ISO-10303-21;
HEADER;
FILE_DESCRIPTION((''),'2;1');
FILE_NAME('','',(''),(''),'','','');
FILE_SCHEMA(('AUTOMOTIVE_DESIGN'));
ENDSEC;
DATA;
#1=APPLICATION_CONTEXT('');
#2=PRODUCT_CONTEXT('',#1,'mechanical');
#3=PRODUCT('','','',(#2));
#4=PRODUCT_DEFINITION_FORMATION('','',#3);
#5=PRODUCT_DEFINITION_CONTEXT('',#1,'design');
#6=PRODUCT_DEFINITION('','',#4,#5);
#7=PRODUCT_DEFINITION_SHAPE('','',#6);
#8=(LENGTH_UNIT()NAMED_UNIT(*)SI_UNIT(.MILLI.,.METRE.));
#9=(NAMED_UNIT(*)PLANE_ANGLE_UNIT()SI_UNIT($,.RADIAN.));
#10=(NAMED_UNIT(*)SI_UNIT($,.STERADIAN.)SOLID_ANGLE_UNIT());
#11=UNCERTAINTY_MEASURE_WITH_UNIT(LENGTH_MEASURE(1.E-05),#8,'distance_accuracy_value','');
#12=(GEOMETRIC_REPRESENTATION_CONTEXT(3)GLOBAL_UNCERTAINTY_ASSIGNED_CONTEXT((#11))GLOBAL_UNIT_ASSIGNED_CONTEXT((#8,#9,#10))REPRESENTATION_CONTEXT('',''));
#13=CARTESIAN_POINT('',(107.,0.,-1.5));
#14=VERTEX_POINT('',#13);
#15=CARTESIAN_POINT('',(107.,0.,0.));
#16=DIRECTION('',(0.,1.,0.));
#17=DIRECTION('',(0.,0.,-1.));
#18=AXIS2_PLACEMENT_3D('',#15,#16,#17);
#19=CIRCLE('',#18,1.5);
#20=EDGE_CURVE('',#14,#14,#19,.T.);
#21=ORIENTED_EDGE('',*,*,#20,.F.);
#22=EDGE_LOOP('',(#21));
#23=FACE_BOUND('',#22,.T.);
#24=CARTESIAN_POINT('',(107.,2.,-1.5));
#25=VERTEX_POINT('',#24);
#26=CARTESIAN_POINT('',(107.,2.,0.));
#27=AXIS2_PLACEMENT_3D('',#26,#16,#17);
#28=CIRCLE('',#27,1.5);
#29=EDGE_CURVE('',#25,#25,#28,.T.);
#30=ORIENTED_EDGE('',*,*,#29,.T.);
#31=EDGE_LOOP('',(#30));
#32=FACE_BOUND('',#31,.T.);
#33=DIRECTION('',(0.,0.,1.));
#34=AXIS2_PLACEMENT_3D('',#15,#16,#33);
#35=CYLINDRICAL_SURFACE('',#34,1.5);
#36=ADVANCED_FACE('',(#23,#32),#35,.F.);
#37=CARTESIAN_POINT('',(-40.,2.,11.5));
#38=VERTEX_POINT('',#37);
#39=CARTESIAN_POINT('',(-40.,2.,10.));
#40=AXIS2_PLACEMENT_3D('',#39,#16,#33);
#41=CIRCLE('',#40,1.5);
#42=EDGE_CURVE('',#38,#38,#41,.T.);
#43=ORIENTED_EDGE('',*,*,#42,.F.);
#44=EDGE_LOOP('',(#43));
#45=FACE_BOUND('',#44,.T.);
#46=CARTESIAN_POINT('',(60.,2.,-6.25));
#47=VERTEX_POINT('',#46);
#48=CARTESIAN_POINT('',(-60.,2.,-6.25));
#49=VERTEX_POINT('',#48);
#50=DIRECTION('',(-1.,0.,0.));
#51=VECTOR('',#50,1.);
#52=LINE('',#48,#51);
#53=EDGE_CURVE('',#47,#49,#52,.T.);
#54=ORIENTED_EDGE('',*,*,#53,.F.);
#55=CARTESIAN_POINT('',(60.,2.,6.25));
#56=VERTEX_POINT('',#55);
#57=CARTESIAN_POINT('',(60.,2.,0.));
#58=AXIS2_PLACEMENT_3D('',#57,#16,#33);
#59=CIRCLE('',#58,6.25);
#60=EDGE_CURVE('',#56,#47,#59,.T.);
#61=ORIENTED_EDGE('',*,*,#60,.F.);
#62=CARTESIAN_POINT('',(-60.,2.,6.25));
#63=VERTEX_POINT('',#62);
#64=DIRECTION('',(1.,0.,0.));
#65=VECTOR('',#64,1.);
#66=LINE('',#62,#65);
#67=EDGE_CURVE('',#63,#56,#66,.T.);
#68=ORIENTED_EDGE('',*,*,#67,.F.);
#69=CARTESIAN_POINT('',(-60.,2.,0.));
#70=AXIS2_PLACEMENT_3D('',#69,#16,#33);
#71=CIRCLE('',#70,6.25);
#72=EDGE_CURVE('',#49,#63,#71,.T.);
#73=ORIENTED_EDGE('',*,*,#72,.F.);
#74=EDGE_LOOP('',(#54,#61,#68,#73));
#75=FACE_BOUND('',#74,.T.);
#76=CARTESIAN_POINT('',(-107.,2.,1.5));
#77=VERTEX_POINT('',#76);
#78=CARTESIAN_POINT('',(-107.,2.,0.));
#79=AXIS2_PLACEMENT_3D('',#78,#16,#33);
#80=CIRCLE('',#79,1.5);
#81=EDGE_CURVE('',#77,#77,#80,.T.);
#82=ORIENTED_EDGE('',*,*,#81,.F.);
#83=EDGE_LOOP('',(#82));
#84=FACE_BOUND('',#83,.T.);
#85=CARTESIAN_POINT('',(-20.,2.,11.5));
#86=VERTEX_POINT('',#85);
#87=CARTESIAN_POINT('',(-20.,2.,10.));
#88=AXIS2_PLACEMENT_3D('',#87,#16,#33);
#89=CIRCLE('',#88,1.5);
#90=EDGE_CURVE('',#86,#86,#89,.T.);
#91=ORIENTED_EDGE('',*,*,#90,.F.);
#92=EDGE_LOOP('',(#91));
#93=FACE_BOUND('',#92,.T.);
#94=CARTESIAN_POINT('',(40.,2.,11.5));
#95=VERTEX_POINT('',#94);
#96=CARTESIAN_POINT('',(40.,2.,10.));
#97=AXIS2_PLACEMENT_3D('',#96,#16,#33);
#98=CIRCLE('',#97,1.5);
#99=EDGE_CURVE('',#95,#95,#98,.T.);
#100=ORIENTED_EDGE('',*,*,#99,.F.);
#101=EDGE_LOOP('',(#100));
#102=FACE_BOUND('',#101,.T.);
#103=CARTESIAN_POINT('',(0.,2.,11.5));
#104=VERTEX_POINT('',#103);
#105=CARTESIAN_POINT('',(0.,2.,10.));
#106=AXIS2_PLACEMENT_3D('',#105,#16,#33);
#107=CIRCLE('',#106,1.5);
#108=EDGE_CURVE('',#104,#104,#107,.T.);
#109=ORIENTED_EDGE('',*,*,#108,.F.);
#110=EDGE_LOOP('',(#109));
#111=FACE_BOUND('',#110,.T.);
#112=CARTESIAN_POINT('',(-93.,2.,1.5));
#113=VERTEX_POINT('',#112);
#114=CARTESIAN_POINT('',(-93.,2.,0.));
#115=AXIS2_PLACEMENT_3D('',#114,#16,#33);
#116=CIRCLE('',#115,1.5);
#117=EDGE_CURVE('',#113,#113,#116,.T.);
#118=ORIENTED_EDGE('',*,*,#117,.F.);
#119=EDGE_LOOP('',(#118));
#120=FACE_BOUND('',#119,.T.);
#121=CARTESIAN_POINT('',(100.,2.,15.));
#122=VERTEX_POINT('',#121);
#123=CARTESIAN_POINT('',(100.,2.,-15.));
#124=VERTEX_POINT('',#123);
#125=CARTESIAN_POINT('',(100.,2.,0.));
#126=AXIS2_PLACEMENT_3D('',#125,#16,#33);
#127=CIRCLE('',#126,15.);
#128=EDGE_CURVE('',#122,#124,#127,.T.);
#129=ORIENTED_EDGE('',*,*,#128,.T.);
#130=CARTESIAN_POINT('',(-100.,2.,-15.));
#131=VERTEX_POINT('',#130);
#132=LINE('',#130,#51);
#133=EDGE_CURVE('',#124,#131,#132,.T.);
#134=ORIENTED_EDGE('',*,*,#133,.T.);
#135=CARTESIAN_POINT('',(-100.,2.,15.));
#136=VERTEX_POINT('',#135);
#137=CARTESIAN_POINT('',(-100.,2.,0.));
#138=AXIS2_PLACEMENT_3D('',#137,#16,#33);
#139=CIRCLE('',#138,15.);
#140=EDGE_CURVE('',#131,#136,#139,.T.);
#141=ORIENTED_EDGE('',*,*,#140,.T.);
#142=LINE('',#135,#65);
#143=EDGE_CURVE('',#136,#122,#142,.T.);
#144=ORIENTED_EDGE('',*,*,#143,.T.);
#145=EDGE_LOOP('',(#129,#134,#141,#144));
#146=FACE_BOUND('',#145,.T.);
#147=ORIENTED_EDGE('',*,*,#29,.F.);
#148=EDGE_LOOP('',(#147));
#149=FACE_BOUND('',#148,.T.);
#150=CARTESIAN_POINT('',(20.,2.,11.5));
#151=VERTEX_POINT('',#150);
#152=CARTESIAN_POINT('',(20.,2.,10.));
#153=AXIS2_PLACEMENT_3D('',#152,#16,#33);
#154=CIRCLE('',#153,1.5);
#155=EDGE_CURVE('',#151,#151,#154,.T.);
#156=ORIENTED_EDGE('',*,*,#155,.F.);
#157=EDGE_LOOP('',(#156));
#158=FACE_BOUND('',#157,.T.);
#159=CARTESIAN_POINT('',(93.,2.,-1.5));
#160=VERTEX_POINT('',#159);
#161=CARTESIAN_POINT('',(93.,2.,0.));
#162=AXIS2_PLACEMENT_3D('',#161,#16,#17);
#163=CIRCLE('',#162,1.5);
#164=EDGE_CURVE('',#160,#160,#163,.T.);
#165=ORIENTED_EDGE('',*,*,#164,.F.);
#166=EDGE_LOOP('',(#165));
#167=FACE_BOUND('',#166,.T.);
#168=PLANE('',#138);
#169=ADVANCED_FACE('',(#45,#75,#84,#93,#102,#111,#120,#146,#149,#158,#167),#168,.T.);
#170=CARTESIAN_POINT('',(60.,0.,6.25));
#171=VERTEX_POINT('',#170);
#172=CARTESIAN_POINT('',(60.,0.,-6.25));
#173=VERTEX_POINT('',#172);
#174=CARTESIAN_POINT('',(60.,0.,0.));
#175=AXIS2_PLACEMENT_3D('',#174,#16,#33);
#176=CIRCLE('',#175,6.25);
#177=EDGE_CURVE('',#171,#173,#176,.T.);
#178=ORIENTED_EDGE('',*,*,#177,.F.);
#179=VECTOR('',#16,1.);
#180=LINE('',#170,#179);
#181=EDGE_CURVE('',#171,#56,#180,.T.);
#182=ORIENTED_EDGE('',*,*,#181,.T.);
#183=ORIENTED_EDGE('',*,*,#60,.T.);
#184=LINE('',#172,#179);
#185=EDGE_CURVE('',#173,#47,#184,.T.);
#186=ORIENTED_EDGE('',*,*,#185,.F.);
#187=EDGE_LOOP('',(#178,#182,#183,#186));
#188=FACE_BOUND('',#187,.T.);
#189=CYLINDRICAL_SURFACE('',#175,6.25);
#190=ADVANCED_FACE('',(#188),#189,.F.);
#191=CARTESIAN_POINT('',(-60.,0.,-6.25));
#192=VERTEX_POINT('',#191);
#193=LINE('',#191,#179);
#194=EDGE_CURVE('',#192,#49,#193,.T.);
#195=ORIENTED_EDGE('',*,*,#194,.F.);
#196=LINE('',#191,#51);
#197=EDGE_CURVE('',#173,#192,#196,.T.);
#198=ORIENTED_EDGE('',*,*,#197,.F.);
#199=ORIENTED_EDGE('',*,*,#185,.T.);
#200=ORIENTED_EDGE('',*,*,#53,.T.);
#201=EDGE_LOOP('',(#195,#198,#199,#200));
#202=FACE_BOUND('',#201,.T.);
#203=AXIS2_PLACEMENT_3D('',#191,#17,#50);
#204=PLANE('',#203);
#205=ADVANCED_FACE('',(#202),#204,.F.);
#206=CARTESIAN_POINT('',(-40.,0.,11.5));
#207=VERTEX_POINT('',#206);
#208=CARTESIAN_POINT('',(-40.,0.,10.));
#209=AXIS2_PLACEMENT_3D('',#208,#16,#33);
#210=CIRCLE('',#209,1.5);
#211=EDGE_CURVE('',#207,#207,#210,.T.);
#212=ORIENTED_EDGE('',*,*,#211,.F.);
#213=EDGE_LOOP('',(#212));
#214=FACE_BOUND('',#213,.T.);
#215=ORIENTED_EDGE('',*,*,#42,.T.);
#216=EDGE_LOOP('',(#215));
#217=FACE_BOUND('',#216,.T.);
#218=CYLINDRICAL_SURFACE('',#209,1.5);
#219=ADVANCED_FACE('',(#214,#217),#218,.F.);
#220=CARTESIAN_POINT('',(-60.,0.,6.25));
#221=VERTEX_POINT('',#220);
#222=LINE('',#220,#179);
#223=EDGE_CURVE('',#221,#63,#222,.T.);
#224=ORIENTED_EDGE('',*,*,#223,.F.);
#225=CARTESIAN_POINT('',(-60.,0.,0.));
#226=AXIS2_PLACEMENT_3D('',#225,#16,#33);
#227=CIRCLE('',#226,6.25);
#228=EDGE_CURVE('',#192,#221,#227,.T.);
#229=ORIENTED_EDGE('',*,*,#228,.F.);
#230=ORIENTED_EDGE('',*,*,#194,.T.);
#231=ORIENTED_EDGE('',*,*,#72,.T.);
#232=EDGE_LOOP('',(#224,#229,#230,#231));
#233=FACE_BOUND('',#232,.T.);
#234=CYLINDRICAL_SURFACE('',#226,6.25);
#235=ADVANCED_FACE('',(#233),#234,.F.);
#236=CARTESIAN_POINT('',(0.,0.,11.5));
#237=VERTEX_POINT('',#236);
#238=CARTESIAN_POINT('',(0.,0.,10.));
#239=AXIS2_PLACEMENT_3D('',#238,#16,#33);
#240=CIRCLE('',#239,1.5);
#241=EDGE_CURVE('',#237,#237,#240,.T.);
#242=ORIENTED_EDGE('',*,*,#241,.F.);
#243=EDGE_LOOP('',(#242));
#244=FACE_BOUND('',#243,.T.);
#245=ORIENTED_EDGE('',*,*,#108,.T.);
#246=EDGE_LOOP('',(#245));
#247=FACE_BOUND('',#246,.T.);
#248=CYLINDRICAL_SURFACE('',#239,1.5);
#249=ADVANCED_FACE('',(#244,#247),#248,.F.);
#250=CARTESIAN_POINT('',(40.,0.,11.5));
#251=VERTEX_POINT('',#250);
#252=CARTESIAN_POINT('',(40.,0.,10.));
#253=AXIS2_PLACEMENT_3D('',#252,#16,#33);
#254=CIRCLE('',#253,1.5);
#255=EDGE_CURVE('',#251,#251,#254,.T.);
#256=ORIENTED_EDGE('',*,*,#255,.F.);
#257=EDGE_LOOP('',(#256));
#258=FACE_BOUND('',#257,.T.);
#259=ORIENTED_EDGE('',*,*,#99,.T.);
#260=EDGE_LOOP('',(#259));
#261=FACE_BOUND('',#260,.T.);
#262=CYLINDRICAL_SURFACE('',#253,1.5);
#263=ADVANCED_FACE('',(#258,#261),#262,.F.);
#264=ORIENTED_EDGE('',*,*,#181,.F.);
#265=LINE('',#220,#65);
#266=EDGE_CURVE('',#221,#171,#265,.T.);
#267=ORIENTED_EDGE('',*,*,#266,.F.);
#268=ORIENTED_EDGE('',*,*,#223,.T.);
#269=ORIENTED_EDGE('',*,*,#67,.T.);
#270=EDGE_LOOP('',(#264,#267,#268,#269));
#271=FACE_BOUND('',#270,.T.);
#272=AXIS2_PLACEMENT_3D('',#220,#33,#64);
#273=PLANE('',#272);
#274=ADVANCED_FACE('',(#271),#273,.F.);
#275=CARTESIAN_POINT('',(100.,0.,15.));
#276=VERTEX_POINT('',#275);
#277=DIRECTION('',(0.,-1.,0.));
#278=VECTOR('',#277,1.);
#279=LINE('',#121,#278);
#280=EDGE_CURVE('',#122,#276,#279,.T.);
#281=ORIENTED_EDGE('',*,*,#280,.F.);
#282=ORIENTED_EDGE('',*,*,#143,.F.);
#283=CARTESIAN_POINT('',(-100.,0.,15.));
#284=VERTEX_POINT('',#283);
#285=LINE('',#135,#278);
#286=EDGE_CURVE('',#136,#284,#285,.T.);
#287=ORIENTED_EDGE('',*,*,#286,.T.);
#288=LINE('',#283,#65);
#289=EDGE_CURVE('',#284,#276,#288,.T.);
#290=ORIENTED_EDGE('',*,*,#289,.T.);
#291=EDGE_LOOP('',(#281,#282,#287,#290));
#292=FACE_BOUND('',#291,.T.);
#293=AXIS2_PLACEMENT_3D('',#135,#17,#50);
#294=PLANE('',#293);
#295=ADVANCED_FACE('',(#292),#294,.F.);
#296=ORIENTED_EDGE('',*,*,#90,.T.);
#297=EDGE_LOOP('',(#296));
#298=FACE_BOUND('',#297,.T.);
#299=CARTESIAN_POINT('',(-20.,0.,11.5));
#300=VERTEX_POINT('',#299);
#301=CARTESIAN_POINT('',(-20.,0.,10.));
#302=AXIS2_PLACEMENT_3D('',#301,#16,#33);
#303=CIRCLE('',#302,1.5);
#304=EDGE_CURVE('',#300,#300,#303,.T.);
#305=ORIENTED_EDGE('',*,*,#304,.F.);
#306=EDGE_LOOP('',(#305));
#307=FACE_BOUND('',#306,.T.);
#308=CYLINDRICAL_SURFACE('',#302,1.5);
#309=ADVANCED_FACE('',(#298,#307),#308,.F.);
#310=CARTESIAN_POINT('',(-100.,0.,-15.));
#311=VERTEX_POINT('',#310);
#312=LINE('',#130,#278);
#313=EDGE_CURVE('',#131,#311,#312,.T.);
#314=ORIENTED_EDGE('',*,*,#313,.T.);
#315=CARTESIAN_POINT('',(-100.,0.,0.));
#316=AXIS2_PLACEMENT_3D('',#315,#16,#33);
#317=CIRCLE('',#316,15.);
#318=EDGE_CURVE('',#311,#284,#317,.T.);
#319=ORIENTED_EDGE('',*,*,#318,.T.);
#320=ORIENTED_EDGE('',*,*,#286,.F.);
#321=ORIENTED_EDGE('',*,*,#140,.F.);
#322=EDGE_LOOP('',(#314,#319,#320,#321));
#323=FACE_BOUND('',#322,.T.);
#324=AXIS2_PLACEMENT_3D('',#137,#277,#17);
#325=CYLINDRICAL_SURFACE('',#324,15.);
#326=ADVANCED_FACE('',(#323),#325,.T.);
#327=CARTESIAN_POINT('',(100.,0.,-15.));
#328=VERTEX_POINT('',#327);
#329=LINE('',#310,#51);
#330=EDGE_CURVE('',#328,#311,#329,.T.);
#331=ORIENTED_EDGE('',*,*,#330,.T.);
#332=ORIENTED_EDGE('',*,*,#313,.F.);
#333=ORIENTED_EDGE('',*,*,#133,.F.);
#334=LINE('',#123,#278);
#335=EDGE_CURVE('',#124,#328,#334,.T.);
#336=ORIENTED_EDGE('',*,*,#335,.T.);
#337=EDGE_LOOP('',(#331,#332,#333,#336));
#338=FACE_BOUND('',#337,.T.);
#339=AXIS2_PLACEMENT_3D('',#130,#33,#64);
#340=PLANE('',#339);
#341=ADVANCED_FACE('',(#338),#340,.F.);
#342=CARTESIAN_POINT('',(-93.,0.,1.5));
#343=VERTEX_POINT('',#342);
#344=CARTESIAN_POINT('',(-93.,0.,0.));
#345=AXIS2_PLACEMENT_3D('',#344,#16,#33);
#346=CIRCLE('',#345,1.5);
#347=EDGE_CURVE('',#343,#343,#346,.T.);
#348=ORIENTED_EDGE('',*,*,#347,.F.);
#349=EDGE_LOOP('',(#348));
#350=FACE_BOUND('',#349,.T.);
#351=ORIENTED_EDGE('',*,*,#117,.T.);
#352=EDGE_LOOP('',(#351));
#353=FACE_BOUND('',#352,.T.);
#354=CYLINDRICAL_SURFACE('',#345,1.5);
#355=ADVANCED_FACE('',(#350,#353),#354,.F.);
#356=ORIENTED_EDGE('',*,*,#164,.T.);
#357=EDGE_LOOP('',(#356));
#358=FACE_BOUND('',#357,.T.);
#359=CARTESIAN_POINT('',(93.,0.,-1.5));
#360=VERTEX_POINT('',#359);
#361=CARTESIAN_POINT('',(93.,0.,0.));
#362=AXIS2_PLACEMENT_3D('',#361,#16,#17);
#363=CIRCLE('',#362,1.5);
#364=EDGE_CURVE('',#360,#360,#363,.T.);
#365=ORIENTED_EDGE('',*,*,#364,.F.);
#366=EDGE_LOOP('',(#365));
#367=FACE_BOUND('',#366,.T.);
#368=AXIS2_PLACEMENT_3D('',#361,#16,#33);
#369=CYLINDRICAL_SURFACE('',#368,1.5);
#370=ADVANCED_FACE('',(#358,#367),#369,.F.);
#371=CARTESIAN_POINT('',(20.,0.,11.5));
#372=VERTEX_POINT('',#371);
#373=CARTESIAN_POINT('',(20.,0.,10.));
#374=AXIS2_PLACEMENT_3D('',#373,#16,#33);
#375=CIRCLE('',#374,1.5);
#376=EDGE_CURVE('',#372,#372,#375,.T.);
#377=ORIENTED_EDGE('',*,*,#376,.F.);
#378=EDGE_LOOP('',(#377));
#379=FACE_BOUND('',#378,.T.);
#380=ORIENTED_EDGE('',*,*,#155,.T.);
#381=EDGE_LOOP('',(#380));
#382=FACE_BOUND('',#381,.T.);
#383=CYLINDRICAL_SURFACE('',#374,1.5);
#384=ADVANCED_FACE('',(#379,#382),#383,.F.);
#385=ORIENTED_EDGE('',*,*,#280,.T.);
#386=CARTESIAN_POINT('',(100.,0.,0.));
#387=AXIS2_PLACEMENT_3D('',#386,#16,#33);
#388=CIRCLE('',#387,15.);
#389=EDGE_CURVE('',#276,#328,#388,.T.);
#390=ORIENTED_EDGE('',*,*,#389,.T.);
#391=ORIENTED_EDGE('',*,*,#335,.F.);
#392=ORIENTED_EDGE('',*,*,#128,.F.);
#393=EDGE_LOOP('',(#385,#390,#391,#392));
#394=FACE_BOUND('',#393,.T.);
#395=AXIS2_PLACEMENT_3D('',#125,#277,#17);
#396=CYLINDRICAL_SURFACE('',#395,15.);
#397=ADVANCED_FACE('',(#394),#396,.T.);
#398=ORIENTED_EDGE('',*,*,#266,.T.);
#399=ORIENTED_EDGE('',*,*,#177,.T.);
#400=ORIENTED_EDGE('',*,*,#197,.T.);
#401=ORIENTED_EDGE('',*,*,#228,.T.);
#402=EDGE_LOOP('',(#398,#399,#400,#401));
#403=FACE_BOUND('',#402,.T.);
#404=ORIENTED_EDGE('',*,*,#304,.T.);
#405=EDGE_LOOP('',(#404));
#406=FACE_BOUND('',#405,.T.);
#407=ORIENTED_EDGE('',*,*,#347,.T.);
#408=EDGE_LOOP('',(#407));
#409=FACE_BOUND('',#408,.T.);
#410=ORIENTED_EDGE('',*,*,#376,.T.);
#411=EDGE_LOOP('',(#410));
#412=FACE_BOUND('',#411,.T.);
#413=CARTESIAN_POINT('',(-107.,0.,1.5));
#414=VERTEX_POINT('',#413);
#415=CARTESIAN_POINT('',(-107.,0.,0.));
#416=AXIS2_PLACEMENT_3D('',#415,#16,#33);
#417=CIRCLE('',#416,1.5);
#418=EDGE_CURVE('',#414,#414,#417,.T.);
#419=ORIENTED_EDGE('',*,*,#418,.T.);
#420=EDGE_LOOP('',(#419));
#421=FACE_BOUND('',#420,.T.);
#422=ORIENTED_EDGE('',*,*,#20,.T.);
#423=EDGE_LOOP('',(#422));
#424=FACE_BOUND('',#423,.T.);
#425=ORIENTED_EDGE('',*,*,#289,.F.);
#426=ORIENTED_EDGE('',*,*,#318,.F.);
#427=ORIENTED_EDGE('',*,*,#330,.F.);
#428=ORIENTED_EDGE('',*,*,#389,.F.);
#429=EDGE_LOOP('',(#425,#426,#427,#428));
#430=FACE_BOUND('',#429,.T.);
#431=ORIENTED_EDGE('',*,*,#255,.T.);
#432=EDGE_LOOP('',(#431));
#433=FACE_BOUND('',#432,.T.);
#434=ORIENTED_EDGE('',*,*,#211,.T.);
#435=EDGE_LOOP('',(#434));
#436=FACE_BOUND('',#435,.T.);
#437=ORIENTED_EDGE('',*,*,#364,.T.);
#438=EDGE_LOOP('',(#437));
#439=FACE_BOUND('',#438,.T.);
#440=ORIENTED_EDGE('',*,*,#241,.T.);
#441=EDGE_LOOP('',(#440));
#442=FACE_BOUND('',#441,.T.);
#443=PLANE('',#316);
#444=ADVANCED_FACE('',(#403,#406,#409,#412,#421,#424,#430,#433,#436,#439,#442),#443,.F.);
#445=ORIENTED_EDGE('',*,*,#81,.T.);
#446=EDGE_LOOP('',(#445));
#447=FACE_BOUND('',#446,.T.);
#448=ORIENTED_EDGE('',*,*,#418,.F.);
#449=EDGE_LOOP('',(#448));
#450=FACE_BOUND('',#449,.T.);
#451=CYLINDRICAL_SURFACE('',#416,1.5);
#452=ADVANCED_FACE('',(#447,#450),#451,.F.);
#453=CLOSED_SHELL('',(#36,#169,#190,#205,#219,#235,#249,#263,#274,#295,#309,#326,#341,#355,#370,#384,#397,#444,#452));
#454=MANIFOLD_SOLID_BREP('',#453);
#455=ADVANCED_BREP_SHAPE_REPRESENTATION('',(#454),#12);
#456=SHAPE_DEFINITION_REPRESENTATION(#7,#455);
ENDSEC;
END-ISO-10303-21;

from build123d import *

# Parameters (mm, degrees)
EXTRUDE_1_DEPTH     = 2
SKETCH_4_R          = 1.5
CUT_EXTRUDE_1_DEPTH = 2


with BuildPart() as part:
    # 草图1 → 凸台-拉伸1 (new body)
    with BuildSketch(Plane(origin=(0, 0, 0), x_dir=(1, 0, 0), z_dir=(0, 1, 0))):
        with BuildLine():
            Line((-100, 15), (100, 15))
            ThreePointArc((100, 15), (115, 0), (100, -15))
            Line((100, -15), (-100, -15))
            ThreePointArc((-100, -15), (-115, 0), (-100, 15))
        make_face()
    extrude(amount=EXTRUDE_1_DEPTH)

    # 草图4 → 切除-拉伸1 (cut)
    with BuildSketch(Plane(origin=(0, 2, 0), x_dir=(1, 0, 0), z_dir=(0, 1, 0))):
        with Locations(Location((-107, 0, 0), (0, 0, 270))):
            Circle(SKETCH_4_R)
        with Locations(Location((-93, 0, 0), (0, 0, 270))):
            Circle(SKETCH_4_R)
        with Locations(Location((107, 0, 0), (0, 0, 90))):
            Circle(SKETCH_4_R)
        with Locations(Location((93, 0, 0), (0, 0, 90))):
            Circle(SKETCH_4_R)
        with Locations(Location((0, -10, 0), (0, 0, 270))):
            Circle(SKETCH_4_R)
        with Locations(Location((20, -10, 0), (0, 0, 270))):
            Circle(SKETCH_4_R)
        with Locations(Location((40, -10, 0), (0, 0, 270))):
            Circle(SKETCH_4_R)
        with Locations(Location((-20, -10, 0), (0, 0, 270))):
            Circle(SKETCH_4_R)
        with Locations(Location((-40, -10, 0), (0, 0, 270))):
            Circle(SKETCH_4_R)
        with BuildLine():
            Line((-60, 6.25), (60, 6.25))
            ThreePointArc((60, 6.25), (66.25, 0), (60, -6.25))
            Line((60, -6.25), (-60, -6.25))
            ThreePointArc((-60, -6.25), (-66.25, 0), (-60, 6.25))
        make_face()
    extrude(amount=-CUT_EXTRUDE_1_DEPTH, mode=Mode.SUBTRACT)


solid = part.part
